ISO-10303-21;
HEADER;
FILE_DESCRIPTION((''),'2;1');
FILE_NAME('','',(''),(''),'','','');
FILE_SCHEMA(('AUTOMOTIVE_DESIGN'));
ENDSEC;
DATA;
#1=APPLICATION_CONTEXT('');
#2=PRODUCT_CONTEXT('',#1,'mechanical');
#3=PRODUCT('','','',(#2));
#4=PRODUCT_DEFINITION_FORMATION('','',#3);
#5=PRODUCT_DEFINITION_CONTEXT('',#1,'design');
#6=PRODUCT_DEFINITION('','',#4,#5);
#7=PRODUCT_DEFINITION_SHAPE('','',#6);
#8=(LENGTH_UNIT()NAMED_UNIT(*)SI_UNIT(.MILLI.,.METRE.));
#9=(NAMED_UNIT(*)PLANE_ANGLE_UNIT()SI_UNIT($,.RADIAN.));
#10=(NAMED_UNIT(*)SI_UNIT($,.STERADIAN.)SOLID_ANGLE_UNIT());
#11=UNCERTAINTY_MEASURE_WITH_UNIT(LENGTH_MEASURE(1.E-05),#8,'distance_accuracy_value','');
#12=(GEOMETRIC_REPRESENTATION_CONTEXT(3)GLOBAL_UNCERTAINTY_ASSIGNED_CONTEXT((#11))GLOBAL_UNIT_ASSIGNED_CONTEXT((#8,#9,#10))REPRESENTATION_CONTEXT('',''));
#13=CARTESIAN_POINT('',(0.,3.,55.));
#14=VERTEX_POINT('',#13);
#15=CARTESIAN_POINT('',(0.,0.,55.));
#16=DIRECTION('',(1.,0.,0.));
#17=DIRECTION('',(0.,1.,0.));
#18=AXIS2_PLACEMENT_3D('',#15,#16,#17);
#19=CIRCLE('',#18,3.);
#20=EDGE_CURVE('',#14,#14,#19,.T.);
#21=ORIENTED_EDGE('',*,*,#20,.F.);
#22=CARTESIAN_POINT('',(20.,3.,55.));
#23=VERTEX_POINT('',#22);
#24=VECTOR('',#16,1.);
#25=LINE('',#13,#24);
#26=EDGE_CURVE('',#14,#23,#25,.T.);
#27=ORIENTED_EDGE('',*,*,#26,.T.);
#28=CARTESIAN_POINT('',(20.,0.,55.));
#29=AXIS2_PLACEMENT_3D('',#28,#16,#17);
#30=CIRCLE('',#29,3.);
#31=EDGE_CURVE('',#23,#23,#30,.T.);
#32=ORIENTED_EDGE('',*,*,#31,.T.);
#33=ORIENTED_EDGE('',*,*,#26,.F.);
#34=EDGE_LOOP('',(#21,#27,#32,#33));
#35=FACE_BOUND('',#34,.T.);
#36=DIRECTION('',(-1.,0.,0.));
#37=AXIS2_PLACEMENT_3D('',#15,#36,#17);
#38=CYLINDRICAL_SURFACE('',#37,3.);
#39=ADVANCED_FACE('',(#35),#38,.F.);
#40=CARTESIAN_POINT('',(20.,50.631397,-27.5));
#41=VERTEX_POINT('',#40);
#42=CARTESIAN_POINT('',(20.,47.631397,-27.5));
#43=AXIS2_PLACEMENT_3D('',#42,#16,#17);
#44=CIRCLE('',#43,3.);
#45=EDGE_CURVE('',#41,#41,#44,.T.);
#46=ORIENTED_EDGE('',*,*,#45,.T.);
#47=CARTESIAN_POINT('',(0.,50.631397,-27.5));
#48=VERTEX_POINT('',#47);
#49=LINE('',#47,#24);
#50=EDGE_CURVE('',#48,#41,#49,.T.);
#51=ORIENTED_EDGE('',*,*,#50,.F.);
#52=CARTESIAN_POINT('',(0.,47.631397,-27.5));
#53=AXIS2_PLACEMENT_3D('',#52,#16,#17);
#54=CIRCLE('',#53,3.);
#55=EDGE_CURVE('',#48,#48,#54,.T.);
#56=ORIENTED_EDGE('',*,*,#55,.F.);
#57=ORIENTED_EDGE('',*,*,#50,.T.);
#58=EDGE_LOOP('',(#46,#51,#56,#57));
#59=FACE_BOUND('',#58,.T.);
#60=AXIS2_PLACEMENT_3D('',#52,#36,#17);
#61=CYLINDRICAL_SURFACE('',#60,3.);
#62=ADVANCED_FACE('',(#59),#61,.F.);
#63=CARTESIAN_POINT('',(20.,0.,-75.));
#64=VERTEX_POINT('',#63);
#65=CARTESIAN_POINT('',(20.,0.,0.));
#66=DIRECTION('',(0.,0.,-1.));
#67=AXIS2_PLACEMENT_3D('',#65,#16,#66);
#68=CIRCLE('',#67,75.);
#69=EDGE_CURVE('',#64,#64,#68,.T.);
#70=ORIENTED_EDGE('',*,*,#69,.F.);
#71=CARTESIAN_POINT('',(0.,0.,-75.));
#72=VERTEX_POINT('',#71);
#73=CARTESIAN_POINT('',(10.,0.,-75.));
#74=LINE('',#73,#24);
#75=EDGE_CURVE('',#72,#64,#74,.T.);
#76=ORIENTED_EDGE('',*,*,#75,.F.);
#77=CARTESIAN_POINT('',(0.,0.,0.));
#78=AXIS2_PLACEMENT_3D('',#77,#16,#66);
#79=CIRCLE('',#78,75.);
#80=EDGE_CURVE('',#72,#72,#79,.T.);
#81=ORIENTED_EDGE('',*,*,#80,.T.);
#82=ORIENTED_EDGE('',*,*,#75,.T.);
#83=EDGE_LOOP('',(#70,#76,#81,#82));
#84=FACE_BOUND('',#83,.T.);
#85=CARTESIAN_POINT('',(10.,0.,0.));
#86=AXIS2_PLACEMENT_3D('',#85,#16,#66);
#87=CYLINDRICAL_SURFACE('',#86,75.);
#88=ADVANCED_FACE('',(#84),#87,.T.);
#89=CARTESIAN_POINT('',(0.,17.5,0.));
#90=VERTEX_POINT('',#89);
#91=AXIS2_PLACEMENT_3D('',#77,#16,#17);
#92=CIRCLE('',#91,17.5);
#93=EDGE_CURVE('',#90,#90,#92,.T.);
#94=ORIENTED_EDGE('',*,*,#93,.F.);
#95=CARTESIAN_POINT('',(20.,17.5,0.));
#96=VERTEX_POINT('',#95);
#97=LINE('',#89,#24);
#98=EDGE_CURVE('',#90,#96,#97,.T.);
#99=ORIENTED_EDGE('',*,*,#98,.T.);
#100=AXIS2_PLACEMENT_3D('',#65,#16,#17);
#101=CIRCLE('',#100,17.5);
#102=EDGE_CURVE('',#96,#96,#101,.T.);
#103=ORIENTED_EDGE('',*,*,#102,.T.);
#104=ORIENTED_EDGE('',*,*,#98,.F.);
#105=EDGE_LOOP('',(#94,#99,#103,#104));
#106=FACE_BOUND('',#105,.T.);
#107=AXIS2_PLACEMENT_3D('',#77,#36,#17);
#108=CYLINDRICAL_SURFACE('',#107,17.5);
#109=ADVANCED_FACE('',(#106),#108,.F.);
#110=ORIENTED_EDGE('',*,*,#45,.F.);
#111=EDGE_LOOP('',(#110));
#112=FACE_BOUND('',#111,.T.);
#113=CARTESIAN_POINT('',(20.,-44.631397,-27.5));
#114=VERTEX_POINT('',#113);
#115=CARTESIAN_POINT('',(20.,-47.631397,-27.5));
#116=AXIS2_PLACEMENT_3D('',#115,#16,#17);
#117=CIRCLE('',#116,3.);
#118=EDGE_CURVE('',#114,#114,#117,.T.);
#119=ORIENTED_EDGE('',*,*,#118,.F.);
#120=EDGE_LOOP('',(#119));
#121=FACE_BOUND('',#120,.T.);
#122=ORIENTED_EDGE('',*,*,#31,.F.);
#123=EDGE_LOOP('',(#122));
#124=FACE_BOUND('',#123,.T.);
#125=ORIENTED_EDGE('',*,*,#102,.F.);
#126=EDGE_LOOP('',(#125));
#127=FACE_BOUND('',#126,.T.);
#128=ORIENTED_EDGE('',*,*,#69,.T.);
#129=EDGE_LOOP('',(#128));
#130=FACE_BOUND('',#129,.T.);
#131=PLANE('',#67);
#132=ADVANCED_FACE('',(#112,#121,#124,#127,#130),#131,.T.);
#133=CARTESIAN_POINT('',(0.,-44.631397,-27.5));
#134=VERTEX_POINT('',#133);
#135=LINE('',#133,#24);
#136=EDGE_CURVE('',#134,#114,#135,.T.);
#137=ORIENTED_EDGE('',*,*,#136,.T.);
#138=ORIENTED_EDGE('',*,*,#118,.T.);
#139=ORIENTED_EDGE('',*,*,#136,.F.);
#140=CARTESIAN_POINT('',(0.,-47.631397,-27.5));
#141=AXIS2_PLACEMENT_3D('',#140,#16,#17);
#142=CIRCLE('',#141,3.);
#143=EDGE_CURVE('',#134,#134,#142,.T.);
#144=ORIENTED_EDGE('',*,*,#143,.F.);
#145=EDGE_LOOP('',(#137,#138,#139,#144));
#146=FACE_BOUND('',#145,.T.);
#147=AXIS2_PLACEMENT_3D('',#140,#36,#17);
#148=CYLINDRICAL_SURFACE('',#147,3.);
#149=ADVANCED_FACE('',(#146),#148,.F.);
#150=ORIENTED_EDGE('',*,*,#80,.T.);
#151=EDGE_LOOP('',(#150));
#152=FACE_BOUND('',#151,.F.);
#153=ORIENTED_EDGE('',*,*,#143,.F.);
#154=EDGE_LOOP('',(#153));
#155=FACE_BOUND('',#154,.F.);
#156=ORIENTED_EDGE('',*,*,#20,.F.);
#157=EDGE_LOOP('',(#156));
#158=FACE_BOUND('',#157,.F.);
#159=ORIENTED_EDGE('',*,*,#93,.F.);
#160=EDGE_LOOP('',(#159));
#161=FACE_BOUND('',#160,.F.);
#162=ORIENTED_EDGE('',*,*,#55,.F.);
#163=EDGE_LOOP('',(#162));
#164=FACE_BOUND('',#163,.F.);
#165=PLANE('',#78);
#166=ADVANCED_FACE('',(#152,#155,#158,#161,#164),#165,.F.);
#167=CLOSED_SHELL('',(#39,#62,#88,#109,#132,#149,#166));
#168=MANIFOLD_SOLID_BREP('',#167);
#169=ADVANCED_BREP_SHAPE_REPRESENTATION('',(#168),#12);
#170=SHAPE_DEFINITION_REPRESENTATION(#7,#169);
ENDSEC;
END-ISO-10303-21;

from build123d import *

# Parameters (mm, degrees)
F0_W     = 20
F0_H     = 75
F2_R     = 17.5
F2_R_2   = 3
F3_DEPTH = 20


with BuildPart() as f1:
    # F0 (on Front) → F1 (revolve)
    with BuildSketch(Plane.XZ):
        with Locations((10, -37.5)):
            Rectangle(F0_W, F0_H)
    revolve(axis=Axis((10, 0, 0), (1, 0, 0)))

    # F2 (on Right) → F3 (cut, through all)
    with BuildSketch(Plane.YZ):
        Circle(F2_R)
        with Locations((0, 55)):
            Circle(F2_R_2)
        with Locations((-47.631397, -27.5)):
            Circle(F2_R_2)
        with Locations((47.631397, -27.5)):
            Circle(F2_R_2)
    extrude(amount=F3_DEPTH, mode=Mode.SUBTRACT)


solid = f1.part
